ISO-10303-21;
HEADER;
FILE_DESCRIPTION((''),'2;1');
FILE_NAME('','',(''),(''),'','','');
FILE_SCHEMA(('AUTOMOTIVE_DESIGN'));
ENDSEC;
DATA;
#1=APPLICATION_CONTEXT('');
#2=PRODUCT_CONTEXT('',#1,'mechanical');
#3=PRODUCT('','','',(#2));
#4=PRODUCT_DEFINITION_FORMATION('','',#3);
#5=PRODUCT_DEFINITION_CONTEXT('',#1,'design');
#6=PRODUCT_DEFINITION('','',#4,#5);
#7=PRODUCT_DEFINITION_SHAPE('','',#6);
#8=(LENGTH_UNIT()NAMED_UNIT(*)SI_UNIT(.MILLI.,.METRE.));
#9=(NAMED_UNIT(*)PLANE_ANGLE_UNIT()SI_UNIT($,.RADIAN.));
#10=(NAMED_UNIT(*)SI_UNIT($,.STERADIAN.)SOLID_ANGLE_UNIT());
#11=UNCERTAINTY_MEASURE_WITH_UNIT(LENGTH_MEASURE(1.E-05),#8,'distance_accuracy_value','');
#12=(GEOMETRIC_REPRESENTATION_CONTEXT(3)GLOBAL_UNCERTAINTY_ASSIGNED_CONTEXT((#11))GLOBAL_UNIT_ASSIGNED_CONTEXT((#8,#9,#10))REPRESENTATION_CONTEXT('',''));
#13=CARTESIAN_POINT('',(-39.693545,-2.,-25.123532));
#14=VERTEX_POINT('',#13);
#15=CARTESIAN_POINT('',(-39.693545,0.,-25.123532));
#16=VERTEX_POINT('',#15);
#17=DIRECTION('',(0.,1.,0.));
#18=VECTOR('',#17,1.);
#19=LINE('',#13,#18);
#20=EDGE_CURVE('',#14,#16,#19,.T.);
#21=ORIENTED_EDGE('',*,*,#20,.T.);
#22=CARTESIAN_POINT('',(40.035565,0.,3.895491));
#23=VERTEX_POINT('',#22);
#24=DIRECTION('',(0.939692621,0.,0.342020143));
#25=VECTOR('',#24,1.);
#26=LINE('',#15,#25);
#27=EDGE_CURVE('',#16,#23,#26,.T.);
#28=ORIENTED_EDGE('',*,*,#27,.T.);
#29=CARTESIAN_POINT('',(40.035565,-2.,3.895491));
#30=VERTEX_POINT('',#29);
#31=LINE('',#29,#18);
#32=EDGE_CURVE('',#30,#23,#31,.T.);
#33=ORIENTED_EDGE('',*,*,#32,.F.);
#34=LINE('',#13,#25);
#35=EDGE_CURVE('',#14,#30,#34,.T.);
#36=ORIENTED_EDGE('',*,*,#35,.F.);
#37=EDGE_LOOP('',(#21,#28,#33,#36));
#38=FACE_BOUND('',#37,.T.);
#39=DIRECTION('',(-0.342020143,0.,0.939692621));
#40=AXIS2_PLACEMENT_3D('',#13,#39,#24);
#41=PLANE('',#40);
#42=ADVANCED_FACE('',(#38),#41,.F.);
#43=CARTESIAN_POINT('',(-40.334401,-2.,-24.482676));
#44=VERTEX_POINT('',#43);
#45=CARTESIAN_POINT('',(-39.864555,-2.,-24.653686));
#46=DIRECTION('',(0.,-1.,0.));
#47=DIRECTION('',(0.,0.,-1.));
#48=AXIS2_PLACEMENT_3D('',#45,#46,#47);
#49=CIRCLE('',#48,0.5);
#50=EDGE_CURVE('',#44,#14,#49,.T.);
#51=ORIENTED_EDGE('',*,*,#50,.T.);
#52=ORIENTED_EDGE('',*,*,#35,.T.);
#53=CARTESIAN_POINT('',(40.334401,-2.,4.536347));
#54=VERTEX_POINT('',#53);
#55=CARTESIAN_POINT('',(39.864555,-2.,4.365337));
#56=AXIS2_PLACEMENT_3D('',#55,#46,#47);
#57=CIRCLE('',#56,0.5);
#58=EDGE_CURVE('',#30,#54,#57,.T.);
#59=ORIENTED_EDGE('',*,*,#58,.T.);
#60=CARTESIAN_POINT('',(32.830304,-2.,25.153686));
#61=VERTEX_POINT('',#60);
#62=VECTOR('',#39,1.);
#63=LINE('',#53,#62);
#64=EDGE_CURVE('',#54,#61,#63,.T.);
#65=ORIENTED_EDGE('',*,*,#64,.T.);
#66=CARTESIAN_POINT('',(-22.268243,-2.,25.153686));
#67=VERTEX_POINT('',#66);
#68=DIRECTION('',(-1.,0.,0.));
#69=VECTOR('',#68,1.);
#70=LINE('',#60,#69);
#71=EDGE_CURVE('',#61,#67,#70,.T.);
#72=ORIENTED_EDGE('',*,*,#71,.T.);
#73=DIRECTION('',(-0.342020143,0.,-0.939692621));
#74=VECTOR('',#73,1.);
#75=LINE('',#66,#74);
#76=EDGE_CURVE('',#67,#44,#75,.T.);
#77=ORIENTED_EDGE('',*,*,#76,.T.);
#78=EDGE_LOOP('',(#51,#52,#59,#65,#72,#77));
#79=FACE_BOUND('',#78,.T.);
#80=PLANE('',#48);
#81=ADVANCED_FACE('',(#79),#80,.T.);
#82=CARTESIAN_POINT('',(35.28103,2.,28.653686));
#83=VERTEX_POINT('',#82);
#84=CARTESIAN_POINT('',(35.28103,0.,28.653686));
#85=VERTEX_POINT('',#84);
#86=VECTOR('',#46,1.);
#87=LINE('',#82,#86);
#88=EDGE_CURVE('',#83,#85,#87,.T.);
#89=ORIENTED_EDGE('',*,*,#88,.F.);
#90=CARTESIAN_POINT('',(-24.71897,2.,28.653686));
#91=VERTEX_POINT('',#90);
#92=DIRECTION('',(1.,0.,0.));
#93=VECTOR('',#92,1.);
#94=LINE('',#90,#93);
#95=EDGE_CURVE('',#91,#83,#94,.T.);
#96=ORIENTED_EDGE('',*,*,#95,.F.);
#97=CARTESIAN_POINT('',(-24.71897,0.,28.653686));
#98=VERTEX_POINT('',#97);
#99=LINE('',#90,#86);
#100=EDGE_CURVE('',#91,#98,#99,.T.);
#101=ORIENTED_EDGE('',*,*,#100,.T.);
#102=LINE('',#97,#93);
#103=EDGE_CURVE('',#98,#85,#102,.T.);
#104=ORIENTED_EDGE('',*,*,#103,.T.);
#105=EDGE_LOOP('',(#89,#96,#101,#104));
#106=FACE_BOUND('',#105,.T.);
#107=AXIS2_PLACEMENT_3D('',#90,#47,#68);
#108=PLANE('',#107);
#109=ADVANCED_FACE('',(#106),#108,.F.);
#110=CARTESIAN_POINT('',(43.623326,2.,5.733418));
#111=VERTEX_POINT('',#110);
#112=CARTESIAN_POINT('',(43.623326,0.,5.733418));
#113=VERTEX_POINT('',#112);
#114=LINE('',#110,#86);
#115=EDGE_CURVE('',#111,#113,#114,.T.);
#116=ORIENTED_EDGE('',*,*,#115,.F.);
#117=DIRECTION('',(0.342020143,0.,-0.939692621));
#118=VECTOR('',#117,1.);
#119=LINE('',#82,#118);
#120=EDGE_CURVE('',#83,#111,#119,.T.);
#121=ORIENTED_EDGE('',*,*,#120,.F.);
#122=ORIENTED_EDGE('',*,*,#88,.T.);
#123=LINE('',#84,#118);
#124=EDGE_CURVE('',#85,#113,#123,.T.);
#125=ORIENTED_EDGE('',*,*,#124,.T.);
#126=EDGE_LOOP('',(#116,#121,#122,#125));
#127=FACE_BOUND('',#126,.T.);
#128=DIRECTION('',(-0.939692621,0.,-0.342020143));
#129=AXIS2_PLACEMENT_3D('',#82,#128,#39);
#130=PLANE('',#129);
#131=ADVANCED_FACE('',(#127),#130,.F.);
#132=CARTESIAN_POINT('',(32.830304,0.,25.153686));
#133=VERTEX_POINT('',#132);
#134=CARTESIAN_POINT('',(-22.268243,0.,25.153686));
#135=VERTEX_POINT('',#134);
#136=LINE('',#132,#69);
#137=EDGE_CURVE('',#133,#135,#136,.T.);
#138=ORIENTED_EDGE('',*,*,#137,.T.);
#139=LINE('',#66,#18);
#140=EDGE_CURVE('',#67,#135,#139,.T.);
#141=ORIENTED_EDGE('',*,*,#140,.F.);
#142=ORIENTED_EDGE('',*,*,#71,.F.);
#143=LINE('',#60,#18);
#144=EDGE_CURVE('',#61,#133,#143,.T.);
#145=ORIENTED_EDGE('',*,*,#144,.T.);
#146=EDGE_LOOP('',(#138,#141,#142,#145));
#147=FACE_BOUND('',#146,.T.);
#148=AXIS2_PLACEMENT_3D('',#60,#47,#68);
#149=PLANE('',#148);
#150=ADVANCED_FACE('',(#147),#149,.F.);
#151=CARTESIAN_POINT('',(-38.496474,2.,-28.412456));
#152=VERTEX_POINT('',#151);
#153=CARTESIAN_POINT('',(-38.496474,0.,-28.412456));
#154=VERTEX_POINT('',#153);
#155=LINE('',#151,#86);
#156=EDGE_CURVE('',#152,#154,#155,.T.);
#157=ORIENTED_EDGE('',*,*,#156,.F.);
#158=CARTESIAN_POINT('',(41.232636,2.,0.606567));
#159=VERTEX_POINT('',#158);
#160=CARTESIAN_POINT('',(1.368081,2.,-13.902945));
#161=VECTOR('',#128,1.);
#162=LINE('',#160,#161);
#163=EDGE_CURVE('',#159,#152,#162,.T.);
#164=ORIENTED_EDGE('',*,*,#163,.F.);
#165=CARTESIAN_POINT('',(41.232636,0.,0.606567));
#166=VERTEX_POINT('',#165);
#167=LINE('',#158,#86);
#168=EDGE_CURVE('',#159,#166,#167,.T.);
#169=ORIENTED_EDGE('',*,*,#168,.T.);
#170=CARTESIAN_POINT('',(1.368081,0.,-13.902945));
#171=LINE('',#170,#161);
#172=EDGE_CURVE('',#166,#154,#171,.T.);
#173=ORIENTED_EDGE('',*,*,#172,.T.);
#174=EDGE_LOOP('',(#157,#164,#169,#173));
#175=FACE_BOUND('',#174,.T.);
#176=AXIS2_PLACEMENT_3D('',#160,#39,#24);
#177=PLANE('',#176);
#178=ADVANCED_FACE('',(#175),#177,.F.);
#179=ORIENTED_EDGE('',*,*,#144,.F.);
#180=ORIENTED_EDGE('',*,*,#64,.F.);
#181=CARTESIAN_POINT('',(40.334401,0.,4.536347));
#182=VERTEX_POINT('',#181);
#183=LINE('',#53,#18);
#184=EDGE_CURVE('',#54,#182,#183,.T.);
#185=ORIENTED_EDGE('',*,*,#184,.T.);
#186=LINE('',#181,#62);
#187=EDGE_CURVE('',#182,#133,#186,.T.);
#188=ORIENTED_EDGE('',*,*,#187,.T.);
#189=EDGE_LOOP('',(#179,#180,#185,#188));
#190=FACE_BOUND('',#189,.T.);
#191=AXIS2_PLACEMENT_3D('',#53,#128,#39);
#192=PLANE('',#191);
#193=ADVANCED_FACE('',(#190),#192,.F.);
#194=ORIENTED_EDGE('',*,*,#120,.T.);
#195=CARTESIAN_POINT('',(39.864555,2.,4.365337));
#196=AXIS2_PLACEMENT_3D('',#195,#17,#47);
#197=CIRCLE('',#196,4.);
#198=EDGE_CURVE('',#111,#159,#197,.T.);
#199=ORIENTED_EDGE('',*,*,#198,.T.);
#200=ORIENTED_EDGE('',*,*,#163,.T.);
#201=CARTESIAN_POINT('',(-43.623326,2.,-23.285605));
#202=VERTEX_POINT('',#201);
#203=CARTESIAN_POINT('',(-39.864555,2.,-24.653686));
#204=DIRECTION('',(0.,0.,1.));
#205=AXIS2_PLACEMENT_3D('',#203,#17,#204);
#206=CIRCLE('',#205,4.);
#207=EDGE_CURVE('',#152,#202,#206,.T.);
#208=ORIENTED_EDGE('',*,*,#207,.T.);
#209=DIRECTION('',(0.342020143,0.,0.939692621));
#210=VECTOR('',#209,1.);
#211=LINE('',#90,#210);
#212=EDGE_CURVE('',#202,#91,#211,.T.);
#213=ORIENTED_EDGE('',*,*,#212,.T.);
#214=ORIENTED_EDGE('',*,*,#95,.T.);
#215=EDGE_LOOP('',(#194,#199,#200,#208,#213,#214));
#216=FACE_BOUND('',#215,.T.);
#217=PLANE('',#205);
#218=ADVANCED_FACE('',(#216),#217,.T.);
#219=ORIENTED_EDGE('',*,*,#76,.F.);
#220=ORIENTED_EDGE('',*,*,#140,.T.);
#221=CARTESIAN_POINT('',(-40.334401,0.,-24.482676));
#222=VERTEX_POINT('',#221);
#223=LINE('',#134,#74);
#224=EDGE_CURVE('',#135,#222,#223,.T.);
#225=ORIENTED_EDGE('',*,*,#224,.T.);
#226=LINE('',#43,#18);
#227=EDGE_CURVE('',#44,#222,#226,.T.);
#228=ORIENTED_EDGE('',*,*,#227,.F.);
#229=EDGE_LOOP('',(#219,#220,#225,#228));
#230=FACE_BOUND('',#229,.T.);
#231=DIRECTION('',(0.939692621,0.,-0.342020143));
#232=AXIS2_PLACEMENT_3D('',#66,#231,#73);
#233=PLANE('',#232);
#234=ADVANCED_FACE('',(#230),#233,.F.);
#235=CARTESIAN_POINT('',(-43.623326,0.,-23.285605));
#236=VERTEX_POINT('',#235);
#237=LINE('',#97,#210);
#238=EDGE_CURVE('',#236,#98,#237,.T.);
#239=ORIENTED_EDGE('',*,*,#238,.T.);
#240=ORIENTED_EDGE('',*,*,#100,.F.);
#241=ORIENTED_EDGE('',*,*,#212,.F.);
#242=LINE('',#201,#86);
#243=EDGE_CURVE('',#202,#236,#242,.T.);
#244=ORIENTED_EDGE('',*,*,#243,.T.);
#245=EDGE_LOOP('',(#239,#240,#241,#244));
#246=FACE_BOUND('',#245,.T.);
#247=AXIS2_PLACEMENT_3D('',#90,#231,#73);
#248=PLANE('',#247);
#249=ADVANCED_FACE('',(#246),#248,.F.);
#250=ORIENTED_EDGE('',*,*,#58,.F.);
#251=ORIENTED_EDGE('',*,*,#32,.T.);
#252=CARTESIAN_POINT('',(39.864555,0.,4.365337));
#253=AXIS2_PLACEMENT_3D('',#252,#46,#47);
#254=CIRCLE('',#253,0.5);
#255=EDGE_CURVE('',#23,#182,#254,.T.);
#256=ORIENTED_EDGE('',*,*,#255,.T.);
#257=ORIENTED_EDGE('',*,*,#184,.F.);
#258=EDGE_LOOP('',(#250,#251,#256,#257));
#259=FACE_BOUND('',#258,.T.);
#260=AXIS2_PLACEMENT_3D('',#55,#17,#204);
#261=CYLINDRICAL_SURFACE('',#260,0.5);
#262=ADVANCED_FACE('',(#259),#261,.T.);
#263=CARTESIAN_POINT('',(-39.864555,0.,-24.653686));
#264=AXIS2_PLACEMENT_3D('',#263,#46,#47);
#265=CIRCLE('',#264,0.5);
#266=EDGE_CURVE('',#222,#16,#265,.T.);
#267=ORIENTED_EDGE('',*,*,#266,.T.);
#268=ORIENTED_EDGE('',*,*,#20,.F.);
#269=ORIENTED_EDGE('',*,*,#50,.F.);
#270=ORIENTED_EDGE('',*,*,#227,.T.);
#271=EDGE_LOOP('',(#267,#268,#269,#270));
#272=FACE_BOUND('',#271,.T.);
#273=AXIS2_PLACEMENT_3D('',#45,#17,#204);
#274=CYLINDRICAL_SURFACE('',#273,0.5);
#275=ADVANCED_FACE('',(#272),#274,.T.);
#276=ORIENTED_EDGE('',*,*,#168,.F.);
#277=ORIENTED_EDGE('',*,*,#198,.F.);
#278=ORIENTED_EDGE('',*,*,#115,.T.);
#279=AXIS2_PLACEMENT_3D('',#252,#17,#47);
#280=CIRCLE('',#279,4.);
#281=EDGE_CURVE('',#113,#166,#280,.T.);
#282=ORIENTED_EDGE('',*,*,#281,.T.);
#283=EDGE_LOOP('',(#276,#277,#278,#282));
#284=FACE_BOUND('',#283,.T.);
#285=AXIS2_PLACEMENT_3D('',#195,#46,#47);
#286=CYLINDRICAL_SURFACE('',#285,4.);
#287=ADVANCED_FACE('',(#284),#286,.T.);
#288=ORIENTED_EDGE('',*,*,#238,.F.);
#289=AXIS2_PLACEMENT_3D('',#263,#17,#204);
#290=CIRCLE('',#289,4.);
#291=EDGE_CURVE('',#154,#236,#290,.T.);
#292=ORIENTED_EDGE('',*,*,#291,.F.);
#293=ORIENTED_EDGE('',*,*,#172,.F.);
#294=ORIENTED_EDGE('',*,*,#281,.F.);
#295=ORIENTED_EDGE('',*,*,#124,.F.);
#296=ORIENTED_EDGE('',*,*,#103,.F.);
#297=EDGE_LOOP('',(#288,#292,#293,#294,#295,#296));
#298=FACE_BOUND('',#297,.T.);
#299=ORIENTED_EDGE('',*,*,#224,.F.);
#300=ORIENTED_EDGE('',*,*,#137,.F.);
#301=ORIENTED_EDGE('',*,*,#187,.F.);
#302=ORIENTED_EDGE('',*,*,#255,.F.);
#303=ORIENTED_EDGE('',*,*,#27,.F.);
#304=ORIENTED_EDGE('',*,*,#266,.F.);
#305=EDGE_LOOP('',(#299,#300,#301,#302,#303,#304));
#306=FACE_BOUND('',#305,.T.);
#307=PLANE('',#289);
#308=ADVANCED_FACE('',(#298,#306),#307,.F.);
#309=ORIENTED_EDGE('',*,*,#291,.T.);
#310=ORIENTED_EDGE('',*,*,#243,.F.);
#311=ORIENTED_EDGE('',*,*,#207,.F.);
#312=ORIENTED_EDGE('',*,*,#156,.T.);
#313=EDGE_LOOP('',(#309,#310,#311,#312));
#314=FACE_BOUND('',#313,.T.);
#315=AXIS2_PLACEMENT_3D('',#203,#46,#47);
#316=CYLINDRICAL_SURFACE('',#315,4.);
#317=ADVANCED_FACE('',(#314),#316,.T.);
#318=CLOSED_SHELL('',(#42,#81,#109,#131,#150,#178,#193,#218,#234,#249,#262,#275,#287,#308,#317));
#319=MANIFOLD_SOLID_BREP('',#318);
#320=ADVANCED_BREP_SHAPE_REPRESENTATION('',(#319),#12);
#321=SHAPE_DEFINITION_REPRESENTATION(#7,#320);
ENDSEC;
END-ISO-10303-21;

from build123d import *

# Parameters (mm, degrees)
BOSS_EXTRUDE1_DEPTH = 2
BOSS_EXTRUDE2_DEPTH = 2


with BuildPart() as part:
    # Sketch1 → Boss-Extrude1 (new body)
    with BuildSketch(Plane(origin=(0, 0, 0), x_dir=(1, 0, 0), z_dir=(0, 1, 0))):
        with BuildLine():
            Line((-24.718969723, -28.65368563), (35.281030277, -28.65368563))
            Line((35.281030277, -28.65368563), (43.623325522, -5.733417816))
            ThreePointArc((43.623325522, -5.733417816), (43.489786187, -2.674864196), (41.232635612, -0.60656676))
            Line((41.232635612, -0.60656676), (1.368080573, 13.902944676))
            Line((1.368080573, 13.902944676), (-38.496474466, 28.412456113))
            ThreePointArc((-38.496474466, 28.412456113), (-42.692982164, 27.482112755), (-43.623325522, 23.285605056))
            Line((-43.623325522, 23.285605056), (-24.718969723, -28.65368563))
        make_face()
    extrude(amount=BOSS_EXTRUDE1_DEPTH)

    # Sketch3 → Boss-Extrude2 (add)
    with BuildSketch(Plane.XZ):
        with BuildLine():
            Line((-22.26824334, 25.15368563), (-40.334401349, -24.482675558))
            ThreePointArc((-40.334401349, -24.482675558), (-40.21810843, -25.00723902), (-39.693544967, -25.12353194))
            Line((-39.693544967, -25.12353194), (40.035565111, 3.895490933))
            ThreePointArc((40.035565111, 3.895490933), (40.317708932, 4.154028112), (40.334401349, 4.536347315))
            Line((40.334401349, 4.536347315), (32.830303893, 25.15368563))
            Line((32.830303893, 25.15368563), (-22.26824334, 25.15368563))
        make_face()
    extrude(amount=BOSS_EXTRUDE2_DEPTH)


solid = part.part
